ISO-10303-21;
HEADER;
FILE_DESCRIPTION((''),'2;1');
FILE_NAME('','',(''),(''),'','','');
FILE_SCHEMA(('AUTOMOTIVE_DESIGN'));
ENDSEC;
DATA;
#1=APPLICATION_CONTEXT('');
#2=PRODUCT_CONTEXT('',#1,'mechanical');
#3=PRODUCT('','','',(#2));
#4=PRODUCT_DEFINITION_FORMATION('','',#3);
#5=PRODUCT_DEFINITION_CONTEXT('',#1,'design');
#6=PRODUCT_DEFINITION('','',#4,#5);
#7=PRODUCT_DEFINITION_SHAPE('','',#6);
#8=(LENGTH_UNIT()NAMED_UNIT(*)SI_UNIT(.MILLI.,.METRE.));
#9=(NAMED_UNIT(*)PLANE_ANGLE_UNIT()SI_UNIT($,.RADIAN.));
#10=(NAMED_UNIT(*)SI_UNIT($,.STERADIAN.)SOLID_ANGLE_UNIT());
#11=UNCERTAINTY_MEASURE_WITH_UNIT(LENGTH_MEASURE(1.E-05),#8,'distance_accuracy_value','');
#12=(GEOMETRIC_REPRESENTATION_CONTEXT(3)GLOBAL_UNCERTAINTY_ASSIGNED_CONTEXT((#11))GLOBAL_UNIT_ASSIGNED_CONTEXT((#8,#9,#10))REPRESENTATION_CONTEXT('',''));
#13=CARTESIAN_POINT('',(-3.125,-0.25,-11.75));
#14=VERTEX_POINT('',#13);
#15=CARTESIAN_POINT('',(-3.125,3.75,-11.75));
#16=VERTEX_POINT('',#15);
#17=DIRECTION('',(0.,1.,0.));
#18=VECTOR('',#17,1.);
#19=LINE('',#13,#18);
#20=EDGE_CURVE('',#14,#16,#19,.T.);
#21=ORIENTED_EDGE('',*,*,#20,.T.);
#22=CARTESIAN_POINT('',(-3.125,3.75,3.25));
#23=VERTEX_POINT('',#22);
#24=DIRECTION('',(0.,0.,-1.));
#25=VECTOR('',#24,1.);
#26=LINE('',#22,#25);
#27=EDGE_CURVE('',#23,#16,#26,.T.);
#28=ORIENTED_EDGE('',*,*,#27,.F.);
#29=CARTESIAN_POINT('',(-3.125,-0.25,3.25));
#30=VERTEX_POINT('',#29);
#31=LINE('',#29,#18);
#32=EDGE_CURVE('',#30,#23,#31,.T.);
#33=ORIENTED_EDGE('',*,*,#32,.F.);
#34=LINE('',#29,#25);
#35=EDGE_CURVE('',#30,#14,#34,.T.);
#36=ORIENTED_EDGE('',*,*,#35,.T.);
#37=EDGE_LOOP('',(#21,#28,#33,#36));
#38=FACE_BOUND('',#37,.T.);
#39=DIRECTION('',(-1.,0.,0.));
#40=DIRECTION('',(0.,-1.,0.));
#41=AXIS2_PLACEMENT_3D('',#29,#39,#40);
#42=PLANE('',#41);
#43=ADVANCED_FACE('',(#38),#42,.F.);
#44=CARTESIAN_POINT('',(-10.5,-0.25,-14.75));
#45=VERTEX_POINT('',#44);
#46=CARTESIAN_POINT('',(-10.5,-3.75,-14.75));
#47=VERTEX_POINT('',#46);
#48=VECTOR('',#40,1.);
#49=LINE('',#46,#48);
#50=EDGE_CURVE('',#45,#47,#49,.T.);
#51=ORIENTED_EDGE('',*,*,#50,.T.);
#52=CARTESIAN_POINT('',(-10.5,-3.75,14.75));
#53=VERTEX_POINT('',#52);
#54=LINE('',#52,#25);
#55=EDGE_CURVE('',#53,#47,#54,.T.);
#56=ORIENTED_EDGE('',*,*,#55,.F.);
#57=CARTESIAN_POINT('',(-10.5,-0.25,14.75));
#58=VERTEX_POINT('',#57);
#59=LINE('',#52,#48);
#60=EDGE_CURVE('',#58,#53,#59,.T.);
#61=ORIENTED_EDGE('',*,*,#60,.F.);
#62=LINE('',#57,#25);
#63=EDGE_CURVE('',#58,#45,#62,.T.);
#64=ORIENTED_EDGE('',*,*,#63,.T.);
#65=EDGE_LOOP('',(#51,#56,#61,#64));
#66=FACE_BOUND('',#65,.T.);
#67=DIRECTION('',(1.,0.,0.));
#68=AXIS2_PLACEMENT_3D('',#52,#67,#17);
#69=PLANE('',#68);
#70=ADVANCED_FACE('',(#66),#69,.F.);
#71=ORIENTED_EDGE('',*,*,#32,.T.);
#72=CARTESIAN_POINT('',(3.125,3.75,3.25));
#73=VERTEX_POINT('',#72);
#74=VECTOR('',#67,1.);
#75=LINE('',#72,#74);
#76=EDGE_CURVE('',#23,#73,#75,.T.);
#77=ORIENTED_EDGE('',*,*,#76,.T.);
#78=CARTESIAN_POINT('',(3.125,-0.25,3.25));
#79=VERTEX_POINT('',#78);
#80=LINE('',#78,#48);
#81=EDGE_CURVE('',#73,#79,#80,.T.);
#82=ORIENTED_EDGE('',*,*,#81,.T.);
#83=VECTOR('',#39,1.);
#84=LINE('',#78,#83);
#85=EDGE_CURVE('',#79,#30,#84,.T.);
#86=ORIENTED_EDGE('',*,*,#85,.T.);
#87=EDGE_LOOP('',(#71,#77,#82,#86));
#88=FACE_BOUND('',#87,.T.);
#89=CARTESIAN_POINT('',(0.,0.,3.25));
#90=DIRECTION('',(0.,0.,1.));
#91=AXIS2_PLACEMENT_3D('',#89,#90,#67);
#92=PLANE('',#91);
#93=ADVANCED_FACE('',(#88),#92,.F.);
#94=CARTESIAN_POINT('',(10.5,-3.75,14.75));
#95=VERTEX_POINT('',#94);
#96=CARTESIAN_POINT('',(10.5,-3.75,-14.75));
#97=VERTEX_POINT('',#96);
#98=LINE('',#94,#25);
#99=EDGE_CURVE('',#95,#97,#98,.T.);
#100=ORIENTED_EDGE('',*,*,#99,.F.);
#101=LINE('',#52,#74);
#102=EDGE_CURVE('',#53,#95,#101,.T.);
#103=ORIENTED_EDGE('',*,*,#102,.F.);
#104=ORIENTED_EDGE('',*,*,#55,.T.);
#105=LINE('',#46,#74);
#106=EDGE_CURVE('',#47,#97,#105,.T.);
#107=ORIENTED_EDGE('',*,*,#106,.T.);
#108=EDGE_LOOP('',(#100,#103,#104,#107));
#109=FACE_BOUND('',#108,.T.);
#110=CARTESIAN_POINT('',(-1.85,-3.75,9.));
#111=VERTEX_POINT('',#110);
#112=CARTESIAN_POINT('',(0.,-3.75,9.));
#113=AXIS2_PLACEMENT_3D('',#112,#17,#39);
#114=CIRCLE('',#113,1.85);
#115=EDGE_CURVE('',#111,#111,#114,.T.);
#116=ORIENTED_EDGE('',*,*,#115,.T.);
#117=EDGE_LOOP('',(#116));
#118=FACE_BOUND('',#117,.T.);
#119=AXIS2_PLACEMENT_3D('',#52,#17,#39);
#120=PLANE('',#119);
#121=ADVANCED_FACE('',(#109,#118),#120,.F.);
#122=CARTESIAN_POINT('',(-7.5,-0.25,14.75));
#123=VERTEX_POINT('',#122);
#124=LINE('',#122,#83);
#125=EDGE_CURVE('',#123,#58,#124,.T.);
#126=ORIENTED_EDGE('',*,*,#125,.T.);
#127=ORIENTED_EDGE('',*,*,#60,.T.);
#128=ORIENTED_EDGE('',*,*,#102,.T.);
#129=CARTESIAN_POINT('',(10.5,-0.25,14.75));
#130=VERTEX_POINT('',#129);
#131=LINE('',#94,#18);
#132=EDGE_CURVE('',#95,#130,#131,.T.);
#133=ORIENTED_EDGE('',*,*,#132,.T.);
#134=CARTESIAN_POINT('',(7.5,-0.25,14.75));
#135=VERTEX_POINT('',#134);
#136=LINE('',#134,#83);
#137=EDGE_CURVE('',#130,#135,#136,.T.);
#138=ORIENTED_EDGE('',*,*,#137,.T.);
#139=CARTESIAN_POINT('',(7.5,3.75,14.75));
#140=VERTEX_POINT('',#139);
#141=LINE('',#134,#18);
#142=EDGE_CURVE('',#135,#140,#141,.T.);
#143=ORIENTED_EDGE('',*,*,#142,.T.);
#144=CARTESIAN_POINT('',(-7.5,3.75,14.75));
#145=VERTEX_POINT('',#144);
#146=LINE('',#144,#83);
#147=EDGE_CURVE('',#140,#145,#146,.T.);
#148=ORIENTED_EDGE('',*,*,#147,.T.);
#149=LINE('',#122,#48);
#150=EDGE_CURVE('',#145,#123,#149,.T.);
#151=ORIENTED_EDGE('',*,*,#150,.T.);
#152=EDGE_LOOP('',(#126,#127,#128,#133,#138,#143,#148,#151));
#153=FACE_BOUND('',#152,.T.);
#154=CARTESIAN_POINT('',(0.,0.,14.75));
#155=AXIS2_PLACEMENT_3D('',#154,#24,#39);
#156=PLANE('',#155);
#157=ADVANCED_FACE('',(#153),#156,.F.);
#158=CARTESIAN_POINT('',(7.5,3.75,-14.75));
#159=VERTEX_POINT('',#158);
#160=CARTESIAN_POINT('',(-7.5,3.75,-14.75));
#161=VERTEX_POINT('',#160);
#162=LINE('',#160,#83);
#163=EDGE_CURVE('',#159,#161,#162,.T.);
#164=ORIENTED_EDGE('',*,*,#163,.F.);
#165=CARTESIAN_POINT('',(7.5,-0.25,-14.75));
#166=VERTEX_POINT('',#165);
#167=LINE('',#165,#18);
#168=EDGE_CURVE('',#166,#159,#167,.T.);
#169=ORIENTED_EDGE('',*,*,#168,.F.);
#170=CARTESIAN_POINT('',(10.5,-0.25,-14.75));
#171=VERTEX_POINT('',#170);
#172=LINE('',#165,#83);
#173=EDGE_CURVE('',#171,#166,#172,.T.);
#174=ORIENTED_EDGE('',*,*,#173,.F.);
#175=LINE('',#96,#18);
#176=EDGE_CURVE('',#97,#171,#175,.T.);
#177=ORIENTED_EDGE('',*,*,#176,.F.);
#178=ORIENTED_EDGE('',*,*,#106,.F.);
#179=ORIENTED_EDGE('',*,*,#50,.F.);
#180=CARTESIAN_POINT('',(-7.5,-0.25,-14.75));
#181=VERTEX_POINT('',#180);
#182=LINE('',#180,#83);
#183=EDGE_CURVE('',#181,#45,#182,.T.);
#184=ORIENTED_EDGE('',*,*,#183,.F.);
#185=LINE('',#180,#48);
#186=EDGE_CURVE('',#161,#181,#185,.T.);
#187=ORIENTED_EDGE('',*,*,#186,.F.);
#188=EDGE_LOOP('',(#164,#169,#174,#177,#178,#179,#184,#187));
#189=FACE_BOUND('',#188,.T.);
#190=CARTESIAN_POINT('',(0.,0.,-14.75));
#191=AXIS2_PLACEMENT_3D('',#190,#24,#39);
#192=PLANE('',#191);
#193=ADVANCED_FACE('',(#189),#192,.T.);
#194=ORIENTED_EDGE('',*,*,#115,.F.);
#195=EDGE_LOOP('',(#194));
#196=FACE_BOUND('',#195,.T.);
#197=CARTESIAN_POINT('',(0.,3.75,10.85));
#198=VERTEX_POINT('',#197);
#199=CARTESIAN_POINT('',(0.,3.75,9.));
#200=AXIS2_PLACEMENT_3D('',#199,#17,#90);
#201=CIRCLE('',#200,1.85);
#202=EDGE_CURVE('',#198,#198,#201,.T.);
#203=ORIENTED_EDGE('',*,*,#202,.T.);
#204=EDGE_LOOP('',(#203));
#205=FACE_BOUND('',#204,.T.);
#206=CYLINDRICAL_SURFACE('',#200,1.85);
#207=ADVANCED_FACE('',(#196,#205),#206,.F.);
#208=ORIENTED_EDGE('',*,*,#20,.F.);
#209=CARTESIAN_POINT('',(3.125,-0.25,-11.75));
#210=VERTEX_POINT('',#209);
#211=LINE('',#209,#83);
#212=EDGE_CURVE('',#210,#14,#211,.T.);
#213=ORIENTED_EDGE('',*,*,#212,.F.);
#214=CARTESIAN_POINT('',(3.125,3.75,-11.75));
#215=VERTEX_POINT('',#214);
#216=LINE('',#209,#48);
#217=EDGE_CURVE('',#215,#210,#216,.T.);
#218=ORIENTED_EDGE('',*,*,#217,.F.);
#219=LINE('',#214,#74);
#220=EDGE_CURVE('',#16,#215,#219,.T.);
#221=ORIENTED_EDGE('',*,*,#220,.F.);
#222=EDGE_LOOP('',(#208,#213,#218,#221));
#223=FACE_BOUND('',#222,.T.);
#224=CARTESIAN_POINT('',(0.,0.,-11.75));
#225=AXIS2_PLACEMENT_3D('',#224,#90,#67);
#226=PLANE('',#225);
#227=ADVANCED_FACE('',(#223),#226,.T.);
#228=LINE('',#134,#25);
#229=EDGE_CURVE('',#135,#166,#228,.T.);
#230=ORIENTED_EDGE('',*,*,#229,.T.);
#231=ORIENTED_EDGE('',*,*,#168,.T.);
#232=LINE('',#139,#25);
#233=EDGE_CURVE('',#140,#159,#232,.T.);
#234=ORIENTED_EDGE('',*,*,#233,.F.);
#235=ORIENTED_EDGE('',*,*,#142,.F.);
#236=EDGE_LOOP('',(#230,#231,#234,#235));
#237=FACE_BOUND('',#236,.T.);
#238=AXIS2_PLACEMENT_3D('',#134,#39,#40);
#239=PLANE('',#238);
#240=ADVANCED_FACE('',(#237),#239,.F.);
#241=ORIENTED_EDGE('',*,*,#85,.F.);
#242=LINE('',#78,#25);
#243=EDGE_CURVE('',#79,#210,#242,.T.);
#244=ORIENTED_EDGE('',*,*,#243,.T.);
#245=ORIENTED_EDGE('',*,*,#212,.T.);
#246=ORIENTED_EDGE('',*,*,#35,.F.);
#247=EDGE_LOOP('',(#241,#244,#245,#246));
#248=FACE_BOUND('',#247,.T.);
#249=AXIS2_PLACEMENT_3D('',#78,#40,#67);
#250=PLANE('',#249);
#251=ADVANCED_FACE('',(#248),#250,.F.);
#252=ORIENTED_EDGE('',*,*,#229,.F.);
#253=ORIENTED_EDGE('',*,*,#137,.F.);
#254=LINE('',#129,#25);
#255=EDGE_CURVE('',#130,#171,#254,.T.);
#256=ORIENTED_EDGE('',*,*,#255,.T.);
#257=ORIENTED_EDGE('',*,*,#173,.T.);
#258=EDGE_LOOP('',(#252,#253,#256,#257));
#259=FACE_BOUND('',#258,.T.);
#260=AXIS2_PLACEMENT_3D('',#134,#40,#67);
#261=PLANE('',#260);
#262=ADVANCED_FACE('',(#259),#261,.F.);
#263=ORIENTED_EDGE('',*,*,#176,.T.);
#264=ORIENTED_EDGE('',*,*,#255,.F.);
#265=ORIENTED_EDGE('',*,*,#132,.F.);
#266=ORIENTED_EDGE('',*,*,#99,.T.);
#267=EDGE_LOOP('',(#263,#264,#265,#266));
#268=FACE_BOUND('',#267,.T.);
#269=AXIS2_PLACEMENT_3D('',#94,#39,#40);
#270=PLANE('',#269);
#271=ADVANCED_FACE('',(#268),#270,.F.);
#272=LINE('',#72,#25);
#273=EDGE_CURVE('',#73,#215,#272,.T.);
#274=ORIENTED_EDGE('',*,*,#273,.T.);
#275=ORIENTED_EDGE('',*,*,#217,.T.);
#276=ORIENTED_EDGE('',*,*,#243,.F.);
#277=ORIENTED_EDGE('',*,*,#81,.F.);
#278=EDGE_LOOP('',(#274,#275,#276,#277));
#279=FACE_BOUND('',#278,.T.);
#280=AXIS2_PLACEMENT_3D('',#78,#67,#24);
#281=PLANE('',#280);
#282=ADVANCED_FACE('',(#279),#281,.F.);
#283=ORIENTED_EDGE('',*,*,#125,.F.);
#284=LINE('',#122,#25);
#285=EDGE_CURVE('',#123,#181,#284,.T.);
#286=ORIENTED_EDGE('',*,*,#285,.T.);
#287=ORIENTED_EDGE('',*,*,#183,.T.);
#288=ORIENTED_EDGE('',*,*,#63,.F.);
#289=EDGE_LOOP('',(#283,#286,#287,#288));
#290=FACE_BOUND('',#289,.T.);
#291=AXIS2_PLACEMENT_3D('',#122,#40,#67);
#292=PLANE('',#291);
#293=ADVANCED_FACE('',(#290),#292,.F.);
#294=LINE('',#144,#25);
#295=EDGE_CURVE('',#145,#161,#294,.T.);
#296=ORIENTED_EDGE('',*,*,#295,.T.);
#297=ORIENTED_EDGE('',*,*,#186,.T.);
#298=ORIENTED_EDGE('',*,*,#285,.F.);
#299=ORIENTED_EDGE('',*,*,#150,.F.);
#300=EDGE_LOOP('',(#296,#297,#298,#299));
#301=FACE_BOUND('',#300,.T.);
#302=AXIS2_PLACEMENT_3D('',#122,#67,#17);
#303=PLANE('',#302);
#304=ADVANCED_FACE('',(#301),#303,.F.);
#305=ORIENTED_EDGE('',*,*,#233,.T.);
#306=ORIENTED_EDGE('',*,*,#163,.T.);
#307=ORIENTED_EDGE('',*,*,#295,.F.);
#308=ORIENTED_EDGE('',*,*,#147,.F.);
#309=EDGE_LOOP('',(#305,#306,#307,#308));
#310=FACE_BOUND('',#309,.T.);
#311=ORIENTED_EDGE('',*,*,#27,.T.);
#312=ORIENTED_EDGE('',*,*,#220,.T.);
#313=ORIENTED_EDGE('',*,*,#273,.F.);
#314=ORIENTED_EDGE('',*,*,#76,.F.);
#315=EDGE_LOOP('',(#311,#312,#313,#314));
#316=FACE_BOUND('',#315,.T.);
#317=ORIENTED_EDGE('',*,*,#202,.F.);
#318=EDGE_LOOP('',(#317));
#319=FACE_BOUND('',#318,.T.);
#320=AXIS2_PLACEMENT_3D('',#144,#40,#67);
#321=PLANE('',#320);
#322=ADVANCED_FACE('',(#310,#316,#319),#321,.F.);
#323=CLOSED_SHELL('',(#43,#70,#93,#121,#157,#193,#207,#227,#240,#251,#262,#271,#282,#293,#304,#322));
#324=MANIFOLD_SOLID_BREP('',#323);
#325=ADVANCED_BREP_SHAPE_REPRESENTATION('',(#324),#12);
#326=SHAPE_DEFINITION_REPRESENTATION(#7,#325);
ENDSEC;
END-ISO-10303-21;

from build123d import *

# Parameters (mm, degrees)
BOSS_EXTRUDE1_DEPTH        = 14.75
SKETCH3_W                  = 6.25
SKETCH3_H                  = 4
CUT_EXTRUDE1_DEPTH         = 15
F_3_7_3_7_DIAMETER_HOLE1_D = 3.7


with BuildPart() as part:
    # Sketch1 → Boss-Extrude1 (new, symmetric)
    with BuildSketch(Plane.XY):
        Polygon((-7.5, -0.25), (-7.5, 3.75), (7.5, 3.75), (7.5, -0.25), (10.5, -0.25), (10.5, -3.75), (-10.5, -3.75), (-10.5, -0.25), align=None)
    extrude(amount=BOSS_EXTRUDE1_DEPTH, both=True)

    # Sketch3 → Cut-Extrude1 (cut)
    with BuildSketch(Plane(origin=(0, 0, -11.75), x_dir=(-1, 0, 0), z_dir=(0, 0, -1))):
        with Locations((0, 1.75)):
            Rectangle(SKETCH3_W, SKETCH3_H)
    extrude(amount=-CUT_EXTRUDE1_DEPTH, mode=Mode.SUBTRACT)

    # Ø3.7 (3.7) Diameter Hole1 (through all)
    with Locations(Plane(origin=(0, 3.75, 0), x_dir=(1, 0, 0), z_dir=(0, 1, 0))):
        with Locations((0, -9)):
            Hole(F_3_7_3_7_DIAMETER_HOLE1_D / 2)


solid = part.part
